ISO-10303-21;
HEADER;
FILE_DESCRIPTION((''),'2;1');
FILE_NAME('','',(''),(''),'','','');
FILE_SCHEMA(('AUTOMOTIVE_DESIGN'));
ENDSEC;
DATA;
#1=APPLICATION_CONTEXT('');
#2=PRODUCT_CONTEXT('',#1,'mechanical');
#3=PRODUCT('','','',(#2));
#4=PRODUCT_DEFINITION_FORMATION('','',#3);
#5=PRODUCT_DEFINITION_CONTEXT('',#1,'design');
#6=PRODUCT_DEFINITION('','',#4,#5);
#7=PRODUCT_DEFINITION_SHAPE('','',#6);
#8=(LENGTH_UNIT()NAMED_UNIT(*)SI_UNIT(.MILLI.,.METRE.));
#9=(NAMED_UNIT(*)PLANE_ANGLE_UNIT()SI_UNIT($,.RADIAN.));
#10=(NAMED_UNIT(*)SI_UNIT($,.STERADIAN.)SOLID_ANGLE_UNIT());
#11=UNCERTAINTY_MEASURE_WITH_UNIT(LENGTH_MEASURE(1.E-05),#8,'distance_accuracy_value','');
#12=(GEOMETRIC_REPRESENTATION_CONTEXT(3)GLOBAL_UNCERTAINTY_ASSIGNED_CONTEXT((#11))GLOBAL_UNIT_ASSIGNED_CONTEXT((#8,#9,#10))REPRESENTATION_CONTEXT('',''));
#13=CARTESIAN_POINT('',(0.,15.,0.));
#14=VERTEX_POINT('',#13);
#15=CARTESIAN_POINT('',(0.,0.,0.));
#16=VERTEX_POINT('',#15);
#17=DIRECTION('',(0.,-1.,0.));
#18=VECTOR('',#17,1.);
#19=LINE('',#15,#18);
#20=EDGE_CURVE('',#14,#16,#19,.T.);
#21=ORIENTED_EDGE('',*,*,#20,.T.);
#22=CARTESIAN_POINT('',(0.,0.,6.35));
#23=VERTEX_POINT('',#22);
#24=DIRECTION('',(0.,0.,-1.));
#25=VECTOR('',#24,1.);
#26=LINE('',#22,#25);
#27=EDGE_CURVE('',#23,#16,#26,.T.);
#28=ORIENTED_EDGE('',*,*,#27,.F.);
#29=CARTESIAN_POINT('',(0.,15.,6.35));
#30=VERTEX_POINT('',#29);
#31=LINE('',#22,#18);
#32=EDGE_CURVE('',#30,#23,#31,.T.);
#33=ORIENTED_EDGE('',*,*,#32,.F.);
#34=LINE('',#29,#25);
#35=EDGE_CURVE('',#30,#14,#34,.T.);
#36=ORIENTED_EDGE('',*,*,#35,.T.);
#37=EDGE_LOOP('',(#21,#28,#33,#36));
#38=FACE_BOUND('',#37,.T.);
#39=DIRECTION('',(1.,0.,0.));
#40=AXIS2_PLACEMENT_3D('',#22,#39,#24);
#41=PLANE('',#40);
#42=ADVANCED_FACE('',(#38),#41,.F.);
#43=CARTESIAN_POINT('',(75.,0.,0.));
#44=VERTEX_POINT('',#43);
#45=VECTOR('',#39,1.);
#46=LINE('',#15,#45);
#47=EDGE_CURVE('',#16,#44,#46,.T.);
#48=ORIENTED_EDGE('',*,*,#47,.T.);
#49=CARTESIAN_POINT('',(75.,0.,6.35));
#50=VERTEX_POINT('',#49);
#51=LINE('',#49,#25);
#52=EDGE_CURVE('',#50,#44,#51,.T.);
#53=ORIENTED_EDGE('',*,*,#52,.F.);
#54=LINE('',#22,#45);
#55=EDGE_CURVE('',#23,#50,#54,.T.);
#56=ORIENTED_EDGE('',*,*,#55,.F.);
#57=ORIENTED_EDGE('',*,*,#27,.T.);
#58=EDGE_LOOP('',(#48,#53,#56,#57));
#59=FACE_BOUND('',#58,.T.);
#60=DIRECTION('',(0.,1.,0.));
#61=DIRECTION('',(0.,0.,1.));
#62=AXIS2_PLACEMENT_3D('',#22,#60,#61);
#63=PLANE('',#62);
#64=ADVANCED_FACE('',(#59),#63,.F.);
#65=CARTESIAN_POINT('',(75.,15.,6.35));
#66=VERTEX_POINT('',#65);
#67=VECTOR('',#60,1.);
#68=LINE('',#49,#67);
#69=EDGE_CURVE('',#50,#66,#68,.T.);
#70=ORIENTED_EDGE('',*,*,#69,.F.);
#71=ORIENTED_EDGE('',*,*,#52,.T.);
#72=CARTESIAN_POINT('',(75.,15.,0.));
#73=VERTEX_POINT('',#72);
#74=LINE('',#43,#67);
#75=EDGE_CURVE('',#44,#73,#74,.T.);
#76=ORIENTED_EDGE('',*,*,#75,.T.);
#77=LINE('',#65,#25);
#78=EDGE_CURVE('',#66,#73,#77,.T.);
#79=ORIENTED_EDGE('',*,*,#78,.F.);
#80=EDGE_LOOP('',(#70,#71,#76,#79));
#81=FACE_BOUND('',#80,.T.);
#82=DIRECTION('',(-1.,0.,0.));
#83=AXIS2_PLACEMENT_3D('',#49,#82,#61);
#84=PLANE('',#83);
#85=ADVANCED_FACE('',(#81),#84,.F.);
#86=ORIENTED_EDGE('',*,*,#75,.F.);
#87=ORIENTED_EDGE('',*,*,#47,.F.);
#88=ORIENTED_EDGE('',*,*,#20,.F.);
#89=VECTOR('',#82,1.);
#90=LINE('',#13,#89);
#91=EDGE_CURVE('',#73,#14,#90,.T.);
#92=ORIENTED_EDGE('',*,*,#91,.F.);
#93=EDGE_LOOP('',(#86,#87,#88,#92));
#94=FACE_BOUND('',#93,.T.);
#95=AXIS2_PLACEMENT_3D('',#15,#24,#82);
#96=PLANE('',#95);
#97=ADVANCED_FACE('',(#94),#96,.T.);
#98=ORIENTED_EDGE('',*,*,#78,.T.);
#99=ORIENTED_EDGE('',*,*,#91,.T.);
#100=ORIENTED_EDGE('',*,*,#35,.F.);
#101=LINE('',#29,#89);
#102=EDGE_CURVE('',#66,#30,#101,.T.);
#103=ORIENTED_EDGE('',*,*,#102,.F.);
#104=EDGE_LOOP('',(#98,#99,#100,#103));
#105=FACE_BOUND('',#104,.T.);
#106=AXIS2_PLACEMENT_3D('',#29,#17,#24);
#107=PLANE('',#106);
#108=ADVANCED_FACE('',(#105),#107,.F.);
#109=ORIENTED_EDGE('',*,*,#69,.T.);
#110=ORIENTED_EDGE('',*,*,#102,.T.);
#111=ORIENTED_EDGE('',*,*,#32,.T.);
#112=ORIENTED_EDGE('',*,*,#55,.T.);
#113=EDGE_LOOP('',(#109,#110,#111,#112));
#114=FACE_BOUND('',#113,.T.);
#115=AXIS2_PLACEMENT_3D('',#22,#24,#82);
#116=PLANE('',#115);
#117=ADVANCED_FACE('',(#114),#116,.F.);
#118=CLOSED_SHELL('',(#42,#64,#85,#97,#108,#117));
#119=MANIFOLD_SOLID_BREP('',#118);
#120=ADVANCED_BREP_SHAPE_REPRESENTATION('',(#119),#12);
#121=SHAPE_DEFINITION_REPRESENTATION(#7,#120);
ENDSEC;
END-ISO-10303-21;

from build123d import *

# Parameters (mm, degrees)
SKETCH1_W           = 75
SKETCH1_H           = 15
BOSS_EXTRUDE1_DEPTH = 6.35


with BuildPart() as part:
    # Sketch1 → Boss-Extrude1 (new body)
    with BuildSketch(Plane.XY):
        with Locations((37.5, 7.5)):
            Rectangle(SKETCH1_W, SKETCH1_H)
    extrude(amount=BOSS_EXTRUDE1_DEPTH)


solid = part.part
